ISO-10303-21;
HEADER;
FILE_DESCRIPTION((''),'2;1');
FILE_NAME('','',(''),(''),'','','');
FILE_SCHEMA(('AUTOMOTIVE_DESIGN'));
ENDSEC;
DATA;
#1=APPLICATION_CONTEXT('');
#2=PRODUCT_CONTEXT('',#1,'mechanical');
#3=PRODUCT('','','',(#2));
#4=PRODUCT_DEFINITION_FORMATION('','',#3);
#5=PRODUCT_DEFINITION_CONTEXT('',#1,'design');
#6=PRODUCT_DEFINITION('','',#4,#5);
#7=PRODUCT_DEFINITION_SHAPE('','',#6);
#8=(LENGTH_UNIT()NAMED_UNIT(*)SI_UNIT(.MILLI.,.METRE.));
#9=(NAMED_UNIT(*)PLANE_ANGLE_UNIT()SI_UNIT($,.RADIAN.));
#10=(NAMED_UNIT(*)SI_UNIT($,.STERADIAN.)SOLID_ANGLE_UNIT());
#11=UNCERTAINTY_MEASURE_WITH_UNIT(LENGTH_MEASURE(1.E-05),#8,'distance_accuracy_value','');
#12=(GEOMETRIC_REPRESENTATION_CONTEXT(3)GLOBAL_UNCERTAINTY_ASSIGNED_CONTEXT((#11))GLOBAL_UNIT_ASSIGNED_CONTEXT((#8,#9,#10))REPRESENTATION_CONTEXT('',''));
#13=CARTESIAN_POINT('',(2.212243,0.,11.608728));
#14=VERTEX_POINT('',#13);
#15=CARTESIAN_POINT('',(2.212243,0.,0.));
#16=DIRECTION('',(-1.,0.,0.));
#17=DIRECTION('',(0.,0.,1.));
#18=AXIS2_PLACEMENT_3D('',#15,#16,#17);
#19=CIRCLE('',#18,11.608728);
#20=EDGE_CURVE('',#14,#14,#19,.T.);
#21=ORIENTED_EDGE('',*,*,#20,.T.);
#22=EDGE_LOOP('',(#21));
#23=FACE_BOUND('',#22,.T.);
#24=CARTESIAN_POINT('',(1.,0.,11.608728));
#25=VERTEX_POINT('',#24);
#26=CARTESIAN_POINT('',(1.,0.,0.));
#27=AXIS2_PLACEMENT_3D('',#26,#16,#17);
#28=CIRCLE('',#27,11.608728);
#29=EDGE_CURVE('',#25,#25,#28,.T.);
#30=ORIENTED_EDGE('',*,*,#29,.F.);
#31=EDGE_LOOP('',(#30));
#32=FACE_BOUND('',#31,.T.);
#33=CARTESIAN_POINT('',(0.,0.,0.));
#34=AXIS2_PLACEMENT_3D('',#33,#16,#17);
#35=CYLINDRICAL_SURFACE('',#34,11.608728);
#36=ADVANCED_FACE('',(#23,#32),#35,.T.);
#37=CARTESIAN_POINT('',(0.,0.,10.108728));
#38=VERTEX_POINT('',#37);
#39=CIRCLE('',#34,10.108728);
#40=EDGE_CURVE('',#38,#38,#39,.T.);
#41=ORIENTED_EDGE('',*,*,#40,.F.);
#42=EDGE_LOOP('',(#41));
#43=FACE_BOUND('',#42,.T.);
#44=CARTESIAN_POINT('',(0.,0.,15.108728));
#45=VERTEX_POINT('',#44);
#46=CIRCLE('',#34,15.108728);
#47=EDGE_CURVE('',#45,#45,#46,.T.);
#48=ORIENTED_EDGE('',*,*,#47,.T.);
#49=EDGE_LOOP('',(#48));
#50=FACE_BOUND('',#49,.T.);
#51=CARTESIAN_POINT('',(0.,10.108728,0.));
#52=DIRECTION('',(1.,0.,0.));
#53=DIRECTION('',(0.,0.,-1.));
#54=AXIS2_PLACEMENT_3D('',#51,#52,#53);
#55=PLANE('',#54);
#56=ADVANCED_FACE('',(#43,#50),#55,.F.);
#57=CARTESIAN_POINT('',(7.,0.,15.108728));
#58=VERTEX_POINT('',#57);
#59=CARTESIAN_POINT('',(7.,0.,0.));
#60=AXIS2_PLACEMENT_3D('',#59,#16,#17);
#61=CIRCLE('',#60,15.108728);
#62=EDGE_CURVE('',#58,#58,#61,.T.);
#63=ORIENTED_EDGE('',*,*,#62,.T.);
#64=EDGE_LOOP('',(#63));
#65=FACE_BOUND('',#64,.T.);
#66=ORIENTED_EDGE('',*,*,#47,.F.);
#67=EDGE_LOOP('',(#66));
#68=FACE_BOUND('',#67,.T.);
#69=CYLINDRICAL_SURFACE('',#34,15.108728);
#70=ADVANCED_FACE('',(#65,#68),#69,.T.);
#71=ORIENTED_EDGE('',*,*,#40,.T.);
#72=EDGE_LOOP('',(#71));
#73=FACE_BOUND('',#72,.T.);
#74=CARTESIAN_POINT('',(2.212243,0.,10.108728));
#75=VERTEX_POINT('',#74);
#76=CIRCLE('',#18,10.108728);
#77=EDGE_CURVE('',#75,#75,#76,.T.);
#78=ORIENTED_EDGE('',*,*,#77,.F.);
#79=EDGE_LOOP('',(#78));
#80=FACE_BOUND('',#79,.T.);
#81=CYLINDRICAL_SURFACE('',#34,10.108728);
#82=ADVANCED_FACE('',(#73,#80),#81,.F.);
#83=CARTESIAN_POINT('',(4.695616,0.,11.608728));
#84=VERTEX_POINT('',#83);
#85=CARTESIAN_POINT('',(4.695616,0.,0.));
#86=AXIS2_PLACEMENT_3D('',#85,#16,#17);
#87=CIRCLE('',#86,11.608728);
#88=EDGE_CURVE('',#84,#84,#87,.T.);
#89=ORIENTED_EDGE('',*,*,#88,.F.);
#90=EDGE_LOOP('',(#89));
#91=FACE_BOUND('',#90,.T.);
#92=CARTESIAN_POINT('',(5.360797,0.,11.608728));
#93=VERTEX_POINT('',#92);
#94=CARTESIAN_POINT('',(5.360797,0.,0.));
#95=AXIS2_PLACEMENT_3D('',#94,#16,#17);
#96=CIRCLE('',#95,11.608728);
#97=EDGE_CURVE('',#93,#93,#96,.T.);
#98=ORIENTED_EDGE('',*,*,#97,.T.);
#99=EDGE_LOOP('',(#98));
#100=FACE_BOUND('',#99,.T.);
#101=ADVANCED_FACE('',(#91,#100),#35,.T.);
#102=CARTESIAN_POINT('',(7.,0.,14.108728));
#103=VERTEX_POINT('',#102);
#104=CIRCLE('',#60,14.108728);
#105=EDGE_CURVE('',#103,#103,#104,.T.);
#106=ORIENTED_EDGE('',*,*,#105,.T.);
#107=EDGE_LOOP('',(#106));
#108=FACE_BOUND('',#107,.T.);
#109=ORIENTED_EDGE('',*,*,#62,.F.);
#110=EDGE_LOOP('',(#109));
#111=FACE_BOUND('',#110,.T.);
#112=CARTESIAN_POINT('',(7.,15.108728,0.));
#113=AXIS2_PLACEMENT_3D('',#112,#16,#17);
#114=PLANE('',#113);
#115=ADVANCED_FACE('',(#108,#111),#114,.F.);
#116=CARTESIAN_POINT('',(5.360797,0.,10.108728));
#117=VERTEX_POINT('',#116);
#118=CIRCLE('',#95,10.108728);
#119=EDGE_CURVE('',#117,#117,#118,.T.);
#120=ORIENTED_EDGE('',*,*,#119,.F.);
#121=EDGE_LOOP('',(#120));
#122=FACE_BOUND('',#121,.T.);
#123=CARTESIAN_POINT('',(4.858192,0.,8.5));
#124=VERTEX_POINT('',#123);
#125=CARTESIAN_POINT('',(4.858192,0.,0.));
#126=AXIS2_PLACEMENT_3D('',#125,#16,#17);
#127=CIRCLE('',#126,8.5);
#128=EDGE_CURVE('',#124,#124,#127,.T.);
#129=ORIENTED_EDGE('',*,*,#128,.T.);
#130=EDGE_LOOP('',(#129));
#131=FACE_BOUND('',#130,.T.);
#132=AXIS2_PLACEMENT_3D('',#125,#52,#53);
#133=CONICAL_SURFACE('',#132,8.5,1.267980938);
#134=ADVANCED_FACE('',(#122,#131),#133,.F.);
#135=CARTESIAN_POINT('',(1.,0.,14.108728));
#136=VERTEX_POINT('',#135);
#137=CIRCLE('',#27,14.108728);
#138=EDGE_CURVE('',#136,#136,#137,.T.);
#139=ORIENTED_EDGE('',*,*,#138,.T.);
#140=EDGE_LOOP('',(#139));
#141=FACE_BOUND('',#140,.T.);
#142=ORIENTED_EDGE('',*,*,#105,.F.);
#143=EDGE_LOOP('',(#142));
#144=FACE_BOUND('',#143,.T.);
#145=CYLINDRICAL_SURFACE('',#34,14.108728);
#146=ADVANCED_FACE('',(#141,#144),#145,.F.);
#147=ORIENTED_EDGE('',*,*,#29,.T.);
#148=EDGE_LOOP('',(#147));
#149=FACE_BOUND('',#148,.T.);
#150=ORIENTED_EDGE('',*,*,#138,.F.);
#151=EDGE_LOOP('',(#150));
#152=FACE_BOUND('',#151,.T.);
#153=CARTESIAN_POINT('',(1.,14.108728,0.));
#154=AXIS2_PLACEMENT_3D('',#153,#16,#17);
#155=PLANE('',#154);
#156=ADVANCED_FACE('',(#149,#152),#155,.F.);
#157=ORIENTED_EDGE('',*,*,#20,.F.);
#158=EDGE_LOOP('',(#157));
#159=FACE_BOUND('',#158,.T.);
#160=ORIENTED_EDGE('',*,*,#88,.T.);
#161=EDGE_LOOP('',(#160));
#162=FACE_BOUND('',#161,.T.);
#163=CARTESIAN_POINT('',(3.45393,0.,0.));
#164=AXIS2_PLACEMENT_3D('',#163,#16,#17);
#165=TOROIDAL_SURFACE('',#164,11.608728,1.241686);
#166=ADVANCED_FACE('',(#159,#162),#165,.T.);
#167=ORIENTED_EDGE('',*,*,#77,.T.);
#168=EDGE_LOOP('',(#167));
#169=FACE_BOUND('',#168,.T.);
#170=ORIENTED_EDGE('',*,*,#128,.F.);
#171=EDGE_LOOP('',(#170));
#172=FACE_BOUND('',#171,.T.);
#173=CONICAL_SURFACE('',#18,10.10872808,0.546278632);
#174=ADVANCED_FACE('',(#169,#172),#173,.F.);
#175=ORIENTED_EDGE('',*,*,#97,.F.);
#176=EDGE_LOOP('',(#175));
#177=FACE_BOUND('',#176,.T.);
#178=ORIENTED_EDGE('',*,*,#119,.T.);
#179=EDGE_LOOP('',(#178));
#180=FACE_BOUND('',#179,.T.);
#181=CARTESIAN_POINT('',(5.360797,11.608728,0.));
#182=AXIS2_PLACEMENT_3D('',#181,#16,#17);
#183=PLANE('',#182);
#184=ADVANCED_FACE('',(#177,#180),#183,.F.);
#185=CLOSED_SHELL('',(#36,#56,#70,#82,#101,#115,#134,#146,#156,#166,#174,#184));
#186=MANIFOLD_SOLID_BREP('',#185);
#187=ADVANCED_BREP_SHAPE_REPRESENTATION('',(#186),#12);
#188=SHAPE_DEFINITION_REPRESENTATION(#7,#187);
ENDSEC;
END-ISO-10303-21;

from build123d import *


with BuildPart() as part:
    # Sketch1 → Revolve1 (revolve)
    with BuildSketch(Plane.XY, mode=Mode.PRIVATE) as revolve1_sk:
        with BuildLine():
            Line((0, 15.10872808), (7, 15.10872808))
            Line((7, 15.10872808), (7, 14.10872808))
            Line((7, 14.10872808), (1, 14.10872808))
            Line((1, 14.10872808), (1, 11.60872808))
            Line((1, 11.60872808), (2.212243264, 11.60872808))
            ThreePointArc((2.212243264, 11.60872808), (3.453929748, 12.850414563), (4.695616231, 11.60872808))
            Line((4.695616231, 11.60872808), (5.360797146, 11.60872808))
            Line((5.360797146, 11.60872808), (5.360797146, 10.10872808))
            Line((5.360797146, 10.10872808), (4.858192306, 8.5))
            Line((4.858192306, 8.5), (2.212243264, 10.10872808))
            Line((2.212243264, 10.10872808), (0, 10.10872808))
            Line((0, 10.10872808), (0, 15.10872808))
        make_face()
    revolve(revolve1_sk.sketch.rotate(Axis((0, 0, 0), (1, 0, 0)), 90), axis=Axis((0, 0, 0), (1, 0, 0)))


solid = part.part
